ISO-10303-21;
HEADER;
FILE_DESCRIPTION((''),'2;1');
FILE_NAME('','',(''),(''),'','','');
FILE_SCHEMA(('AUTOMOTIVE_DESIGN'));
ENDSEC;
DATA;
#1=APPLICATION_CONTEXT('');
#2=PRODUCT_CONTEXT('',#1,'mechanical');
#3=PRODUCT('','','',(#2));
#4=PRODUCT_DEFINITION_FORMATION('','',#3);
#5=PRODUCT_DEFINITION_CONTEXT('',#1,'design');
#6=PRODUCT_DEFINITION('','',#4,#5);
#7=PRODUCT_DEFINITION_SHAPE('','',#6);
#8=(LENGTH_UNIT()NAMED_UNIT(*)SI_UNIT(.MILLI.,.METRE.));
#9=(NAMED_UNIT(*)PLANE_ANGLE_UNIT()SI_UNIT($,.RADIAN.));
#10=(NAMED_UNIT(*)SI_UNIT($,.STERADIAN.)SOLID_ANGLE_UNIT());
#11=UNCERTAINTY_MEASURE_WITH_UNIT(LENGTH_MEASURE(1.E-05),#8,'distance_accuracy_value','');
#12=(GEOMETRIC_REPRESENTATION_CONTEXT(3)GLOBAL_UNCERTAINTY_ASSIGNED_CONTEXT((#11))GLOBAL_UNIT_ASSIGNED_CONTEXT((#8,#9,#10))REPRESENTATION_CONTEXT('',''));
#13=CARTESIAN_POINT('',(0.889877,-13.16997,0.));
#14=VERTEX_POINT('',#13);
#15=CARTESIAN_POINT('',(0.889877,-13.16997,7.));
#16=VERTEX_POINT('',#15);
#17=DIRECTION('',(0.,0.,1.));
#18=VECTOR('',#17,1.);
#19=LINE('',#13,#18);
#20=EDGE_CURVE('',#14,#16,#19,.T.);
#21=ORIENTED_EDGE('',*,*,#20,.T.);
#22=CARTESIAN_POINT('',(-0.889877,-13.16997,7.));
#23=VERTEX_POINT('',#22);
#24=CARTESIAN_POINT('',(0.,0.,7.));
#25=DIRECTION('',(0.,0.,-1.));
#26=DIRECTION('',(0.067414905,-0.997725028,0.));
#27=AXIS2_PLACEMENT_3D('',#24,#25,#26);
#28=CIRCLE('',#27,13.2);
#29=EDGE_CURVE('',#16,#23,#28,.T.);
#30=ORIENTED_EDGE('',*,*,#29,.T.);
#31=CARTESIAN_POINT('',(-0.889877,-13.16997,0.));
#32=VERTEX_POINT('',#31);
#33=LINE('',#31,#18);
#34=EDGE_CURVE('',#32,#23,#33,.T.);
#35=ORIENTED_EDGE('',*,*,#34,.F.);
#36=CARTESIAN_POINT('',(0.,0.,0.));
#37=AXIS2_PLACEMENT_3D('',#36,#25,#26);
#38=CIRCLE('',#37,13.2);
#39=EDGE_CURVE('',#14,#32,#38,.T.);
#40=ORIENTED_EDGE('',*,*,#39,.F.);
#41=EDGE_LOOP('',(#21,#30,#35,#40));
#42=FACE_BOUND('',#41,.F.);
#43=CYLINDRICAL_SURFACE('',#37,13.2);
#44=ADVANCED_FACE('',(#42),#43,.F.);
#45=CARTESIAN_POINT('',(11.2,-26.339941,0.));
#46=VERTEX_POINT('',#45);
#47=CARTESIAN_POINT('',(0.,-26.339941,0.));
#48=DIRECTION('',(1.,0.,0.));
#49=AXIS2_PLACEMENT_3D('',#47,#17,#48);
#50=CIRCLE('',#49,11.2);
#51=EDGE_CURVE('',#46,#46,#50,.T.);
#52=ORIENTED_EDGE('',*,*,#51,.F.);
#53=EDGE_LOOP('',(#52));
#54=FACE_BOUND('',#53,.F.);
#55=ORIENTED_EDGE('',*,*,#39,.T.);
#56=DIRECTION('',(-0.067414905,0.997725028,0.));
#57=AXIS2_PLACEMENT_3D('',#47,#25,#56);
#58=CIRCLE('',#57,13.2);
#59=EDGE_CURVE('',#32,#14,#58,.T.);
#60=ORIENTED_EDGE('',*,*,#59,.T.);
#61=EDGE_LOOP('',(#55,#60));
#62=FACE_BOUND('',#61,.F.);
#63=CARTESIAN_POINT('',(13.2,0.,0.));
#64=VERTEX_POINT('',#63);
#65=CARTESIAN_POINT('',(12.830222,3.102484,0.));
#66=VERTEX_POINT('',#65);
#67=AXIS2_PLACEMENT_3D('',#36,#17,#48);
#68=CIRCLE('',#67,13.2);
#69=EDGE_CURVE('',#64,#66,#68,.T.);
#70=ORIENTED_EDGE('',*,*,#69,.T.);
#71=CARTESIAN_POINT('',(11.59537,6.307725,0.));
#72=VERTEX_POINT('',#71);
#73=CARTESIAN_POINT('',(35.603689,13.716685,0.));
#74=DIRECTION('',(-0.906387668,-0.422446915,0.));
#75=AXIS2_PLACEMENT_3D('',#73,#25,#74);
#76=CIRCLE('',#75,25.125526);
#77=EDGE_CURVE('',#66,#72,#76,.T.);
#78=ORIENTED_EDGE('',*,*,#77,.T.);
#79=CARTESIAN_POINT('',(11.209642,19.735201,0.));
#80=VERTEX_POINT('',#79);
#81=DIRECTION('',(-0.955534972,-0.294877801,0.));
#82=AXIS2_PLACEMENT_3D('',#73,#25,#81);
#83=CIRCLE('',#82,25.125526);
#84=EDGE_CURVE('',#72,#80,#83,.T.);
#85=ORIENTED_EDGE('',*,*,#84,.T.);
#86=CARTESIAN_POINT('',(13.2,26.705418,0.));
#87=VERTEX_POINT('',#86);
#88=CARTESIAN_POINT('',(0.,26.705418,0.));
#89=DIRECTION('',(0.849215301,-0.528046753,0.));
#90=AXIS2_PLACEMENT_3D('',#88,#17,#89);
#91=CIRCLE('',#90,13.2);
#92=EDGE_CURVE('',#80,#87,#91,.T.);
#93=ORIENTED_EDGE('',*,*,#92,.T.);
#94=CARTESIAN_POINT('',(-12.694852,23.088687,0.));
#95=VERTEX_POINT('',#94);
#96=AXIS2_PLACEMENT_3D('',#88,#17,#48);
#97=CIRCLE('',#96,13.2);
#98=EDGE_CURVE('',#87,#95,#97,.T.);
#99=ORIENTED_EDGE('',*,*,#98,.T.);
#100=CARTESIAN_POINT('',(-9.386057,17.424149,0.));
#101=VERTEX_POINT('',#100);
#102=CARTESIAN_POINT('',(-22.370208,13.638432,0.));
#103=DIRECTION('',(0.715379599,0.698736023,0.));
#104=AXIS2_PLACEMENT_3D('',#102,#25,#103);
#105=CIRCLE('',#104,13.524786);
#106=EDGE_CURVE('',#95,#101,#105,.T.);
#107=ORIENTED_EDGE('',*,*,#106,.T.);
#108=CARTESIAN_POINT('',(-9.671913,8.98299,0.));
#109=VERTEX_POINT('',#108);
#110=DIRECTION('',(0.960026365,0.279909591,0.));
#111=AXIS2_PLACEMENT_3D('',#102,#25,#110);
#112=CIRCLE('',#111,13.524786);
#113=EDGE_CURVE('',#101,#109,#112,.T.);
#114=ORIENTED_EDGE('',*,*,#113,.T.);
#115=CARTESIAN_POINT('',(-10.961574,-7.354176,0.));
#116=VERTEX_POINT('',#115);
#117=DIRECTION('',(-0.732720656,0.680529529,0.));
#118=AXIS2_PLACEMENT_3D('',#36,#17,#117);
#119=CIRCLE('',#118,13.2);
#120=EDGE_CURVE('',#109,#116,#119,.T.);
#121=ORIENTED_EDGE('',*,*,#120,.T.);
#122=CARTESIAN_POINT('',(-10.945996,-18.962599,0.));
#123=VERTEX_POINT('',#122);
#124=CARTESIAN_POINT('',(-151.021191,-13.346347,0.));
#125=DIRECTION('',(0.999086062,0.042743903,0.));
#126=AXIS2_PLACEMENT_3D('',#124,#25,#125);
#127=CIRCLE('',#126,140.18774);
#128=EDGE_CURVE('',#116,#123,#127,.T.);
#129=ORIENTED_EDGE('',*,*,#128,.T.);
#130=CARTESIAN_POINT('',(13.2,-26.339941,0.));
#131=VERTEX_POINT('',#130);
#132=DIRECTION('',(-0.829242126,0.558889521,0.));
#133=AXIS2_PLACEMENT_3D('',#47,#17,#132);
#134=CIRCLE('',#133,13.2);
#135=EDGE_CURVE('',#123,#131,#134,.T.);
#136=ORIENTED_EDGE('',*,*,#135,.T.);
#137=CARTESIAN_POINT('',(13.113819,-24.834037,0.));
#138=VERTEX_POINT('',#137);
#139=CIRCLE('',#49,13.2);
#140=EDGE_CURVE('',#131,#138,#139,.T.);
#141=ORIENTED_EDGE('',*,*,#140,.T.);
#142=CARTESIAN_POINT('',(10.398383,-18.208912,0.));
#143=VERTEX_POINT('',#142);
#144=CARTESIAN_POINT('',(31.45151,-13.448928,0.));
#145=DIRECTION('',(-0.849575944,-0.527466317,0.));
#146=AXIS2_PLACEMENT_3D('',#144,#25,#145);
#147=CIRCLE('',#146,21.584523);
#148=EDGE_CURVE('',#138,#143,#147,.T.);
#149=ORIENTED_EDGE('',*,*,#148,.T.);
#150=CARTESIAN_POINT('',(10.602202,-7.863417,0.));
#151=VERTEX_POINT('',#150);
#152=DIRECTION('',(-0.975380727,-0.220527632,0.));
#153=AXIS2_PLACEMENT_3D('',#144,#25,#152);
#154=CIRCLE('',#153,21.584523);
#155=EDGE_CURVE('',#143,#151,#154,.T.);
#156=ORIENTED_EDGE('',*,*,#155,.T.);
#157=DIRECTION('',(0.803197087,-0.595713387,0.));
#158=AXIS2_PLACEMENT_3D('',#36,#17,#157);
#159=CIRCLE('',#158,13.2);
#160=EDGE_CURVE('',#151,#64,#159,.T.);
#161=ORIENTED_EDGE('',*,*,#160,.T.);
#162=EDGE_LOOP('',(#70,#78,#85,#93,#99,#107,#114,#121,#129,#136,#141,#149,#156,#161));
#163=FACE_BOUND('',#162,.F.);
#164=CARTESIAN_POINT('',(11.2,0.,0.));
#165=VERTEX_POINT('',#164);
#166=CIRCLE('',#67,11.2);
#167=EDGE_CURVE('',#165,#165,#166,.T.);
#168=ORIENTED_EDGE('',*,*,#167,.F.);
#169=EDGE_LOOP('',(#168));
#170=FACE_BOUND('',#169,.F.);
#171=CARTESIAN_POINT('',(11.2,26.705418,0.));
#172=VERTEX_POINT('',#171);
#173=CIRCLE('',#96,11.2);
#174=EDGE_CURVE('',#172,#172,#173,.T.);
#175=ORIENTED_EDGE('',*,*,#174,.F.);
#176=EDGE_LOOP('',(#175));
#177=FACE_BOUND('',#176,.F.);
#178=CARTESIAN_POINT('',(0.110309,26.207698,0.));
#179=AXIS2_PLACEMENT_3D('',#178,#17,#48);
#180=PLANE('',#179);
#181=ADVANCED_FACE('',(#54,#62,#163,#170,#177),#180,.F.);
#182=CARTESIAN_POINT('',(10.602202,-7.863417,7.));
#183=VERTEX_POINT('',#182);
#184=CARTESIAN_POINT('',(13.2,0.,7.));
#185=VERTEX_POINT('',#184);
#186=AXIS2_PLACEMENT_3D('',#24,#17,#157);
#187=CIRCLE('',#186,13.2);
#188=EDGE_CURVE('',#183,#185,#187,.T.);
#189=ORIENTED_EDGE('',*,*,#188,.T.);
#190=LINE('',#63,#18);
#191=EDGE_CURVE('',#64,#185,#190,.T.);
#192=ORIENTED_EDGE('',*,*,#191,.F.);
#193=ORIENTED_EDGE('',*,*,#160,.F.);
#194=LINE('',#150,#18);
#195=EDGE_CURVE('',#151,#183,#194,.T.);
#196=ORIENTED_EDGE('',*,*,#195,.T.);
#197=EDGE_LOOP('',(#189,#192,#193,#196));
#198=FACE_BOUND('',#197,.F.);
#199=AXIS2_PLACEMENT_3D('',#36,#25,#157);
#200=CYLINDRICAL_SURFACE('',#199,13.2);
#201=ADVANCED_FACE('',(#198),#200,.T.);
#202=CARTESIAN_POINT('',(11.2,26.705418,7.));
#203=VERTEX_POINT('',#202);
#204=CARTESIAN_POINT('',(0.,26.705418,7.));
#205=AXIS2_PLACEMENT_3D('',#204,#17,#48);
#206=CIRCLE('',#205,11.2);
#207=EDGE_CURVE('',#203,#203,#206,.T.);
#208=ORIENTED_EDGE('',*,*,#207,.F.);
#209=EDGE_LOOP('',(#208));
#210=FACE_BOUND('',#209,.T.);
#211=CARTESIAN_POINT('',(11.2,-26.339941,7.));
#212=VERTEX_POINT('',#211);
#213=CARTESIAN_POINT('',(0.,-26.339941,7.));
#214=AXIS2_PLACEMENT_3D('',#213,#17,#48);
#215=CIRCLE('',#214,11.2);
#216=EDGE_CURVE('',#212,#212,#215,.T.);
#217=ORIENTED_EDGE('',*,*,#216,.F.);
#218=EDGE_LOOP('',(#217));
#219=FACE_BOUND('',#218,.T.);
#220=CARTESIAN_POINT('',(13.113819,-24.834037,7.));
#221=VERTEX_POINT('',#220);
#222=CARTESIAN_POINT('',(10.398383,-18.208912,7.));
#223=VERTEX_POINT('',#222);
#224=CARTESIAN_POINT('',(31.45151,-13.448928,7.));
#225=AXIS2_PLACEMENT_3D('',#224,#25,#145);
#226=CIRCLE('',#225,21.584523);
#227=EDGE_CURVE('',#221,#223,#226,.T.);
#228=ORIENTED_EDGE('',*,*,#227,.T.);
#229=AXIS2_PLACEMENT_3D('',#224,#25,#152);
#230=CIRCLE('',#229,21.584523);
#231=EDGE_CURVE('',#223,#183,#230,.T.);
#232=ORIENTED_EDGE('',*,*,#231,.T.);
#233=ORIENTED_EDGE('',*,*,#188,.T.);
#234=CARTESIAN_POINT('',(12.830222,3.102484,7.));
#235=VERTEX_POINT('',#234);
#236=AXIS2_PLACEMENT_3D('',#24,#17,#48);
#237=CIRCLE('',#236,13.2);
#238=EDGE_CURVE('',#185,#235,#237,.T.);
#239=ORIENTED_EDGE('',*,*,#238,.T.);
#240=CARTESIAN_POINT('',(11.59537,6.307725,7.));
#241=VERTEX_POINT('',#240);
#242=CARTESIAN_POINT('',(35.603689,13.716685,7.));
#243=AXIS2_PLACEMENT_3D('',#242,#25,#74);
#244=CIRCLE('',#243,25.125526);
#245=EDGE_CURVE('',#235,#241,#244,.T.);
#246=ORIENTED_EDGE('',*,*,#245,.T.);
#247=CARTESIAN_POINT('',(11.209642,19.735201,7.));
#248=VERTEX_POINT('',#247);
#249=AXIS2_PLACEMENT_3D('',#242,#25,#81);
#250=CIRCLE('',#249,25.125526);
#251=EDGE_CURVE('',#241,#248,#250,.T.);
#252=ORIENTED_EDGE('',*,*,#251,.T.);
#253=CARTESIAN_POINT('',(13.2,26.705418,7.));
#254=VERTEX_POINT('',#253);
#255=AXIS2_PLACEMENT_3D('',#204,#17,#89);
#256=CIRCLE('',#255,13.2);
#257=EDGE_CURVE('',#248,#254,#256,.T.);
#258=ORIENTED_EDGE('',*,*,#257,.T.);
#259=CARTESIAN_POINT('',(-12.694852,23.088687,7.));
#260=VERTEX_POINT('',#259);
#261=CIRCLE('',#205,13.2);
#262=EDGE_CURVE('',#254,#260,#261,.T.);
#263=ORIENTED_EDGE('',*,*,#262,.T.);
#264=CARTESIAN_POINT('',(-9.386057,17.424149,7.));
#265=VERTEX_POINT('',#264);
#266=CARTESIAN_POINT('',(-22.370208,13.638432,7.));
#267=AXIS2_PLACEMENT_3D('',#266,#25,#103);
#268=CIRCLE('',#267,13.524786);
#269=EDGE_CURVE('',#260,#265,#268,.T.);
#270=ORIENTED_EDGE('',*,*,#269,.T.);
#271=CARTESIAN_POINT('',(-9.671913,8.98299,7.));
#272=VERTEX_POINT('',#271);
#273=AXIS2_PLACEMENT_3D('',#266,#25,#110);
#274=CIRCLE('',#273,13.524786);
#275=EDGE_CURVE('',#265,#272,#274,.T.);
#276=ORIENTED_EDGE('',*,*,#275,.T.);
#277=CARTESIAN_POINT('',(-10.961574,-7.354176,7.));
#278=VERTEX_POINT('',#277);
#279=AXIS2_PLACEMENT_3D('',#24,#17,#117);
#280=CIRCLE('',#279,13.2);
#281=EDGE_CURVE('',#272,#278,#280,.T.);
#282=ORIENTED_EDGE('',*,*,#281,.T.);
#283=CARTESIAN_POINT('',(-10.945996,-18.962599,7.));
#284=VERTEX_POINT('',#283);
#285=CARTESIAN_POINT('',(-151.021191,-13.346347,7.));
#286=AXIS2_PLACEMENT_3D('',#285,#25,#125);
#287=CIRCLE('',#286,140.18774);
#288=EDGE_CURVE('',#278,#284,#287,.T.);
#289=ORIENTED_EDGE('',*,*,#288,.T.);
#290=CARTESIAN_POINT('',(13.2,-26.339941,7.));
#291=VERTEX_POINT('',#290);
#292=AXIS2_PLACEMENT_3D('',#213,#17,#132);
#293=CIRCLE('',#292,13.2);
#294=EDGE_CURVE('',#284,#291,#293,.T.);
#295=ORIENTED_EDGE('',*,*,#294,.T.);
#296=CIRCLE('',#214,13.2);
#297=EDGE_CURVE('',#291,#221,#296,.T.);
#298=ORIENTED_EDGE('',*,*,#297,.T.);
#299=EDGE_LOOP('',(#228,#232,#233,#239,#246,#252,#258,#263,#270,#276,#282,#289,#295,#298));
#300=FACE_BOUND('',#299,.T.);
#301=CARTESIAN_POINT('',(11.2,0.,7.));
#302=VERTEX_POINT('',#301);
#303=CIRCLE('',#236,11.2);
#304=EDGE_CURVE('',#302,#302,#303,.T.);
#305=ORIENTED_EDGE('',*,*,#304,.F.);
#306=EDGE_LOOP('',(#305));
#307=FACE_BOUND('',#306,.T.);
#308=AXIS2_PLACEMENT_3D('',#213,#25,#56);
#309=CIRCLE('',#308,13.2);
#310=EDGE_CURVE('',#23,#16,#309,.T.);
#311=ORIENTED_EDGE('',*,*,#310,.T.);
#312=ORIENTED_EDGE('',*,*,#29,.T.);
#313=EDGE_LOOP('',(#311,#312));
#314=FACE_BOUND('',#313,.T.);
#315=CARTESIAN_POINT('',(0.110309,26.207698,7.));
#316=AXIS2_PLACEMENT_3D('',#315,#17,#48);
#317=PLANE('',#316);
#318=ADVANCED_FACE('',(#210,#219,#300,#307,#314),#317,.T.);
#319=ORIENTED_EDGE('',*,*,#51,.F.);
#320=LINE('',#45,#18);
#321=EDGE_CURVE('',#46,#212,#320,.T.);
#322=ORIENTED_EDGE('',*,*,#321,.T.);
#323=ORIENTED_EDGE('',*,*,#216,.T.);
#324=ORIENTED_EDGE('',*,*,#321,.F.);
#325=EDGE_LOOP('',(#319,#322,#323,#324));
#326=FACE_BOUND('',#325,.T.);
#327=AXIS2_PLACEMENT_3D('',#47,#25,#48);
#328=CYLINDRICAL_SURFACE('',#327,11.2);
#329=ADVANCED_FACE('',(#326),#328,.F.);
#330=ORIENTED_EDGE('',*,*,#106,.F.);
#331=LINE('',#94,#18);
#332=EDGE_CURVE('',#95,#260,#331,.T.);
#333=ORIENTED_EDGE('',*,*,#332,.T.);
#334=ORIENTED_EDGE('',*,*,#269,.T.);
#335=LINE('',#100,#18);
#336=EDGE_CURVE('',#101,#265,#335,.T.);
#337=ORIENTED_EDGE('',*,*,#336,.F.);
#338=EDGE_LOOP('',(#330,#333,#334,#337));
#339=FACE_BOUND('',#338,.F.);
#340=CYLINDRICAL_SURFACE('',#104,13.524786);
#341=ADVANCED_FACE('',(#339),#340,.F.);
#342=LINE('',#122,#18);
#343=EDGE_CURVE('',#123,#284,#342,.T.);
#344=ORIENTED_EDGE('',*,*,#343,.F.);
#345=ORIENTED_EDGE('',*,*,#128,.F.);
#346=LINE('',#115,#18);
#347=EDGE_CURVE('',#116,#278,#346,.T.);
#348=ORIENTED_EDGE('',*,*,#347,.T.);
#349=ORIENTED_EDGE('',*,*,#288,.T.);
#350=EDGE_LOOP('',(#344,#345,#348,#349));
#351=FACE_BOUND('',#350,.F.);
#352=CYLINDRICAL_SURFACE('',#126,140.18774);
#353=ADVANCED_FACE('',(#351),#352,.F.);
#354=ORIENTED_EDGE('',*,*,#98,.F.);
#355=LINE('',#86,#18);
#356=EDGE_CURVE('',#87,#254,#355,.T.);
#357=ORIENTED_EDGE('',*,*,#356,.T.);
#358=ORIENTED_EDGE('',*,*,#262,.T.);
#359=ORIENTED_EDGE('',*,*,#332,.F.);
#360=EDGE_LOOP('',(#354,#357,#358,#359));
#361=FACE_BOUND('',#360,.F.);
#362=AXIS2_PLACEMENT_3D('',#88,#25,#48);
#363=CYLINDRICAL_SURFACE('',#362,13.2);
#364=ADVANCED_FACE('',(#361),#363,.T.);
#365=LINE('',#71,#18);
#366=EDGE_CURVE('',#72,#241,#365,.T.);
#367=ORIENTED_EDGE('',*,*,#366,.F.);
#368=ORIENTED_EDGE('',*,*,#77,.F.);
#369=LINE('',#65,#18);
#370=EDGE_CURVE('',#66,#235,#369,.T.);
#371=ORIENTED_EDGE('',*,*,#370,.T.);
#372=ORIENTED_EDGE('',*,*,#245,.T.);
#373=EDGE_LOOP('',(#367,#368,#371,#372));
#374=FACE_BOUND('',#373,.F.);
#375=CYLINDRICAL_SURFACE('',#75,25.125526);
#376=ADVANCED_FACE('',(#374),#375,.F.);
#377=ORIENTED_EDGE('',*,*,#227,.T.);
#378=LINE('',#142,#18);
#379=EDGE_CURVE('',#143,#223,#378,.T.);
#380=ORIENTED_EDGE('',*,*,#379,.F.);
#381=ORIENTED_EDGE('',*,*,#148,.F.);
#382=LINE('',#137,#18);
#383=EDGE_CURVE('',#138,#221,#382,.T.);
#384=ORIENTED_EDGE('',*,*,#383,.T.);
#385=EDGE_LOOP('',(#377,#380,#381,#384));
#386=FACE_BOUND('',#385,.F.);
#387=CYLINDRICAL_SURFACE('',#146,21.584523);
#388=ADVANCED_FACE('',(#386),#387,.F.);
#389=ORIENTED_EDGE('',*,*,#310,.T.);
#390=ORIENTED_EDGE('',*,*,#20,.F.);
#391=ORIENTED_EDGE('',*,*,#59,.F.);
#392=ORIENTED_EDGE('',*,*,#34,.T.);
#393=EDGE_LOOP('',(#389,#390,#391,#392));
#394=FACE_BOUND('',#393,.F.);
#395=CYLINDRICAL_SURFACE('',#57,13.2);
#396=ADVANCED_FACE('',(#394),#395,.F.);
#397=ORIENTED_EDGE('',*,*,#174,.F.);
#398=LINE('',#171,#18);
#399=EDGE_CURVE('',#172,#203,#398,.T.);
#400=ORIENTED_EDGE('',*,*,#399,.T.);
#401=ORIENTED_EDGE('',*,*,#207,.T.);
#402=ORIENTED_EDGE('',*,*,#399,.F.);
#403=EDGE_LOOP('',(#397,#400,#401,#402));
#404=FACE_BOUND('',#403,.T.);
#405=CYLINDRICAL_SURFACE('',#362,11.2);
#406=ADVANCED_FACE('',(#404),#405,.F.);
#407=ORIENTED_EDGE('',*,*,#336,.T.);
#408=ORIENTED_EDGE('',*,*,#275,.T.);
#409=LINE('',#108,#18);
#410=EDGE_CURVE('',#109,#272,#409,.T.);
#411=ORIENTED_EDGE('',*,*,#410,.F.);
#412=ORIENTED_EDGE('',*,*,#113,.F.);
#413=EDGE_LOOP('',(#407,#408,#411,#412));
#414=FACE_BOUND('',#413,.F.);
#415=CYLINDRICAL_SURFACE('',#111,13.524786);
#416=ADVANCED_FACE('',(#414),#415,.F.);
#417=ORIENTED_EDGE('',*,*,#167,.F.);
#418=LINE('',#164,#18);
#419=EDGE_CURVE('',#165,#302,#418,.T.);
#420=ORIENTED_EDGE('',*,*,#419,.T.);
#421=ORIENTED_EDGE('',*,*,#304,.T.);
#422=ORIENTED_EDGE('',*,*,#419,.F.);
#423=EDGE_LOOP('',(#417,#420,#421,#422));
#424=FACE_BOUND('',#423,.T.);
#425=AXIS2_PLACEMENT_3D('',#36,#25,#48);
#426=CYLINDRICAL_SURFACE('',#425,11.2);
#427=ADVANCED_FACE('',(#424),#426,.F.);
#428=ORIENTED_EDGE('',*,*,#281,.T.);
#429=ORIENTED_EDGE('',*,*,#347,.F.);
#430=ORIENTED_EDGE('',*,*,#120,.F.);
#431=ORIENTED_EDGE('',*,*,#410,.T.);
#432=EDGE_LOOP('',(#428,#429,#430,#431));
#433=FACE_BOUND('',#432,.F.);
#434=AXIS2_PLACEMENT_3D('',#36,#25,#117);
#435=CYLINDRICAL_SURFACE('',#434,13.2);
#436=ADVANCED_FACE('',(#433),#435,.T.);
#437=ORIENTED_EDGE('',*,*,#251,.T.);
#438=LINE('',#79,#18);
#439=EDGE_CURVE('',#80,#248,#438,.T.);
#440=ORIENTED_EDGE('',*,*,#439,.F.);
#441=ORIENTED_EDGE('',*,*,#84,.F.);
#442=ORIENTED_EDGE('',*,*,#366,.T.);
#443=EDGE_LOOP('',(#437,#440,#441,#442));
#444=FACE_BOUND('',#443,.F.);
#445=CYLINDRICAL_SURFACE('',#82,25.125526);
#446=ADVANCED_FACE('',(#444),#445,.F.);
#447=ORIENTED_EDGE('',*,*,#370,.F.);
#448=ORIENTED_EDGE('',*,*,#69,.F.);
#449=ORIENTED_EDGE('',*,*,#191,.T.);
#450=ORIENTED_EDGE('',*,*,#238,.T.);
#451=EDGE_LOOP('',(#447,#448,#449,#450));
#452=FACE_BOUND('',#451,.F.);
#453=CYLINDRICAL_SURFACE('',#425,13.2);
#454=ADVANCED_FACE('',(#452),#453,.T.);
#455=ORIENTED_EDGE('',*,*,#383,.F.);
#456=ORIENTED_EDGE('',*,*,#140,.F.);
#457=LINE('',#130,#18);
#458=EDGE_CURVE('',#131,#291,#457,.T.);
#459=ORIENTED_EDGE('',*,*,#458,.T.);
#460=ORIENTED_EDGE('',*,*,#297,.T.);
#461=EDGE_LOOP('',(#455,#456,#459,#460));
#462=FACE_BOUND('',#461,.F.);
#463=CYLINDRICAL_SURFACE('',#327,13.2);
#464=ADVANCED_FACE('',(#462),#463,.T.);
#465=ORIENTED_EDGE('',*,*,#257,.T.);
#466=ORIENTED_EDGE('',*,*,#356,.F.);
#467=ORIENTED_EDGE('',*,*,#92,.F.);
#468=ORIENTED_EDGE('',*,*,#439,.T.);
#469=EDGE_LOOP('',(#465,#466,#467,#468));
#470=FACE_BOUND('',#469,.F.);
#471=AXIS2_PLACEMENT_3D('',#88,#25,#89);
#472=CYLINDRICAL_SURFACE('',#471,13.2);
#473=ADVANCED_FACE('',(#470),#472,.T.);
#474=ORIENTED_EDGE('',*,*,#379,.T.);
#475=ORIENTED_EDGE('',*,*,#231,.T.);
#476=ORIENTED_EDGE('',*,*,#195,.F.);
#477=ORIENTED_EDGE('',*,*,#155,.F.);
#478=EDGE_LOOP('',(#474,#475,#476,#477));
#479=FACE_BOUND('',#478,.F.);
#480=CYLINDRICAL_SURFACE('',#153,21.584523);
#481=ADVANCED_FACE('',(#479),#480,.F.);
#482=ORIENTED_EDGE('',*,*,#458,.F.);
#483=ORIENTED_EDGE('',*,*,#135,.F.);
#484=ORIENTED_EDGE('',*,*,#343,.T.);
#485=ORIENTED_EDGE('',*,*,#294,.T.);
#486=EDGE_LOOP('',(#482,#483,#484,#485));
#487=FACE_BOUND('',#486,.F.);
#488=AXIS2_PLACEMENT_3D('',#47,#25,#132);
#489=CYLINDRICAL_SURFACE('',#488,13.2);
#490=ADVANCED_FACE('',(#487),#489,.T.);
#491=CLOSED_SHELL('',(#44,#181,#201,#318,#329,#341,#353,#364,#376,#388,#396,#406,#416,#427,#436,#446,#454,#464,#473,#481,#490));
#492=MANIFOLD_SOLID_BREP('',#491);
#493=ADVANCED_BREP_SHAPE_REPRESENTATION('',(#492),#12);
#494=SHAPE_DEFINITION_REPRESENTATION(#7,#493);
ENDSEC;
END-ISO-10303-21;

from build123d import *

# Parameters (mm, degrees)
F0_R     = 11.2
F1_DEPTH = 7


with BuildPart() as f1:
    # F0 (on Top) → F1 (new body)
    with BuildSketch(Plane.XY):
        with BuildLine():
            ThreePointArc((-9.3860565148, 17.4241493827), (1.4719393522, 13.5877428912), (11.2096419669, 19.7352006425))
            ThreePointArc((11.2096419669, 19.7352006425), (12.6926607526, 23.0810056893), (13.2, 26.7054177821))
            ThreePointArc((13.2, 26.7054177821), (-1.8259184841, 39.7785207683), (-12.6948517711, 23.0886874203))
            ThreePointArc((-12.6948517711, 23.0886874203), (-10.6918061305, 20.4600722356), (-9.3860565148, 17.4241493827))
        make_face()
        with Locations((0, 26.7054177821)):
            Circle(F0_R, mode=Mode.SUBTRACT)
        with BuildLine():
            ThreePointArc((10.3983829911, -18.2089118145), (6.1809331597, -14.6764907536), (0.8898767486, -13.1699703634))
            ThreePointArc((0.8898767486, -13.1699703634), (0, -13.2), (-0.8898767486, -13.1699703634))
            ThreePointArc((-0.8898767486, -13.1699703634), (-6.5886727105, -14.9018730616), (-10.9459960633, -18.9625990523))
            ThreePointArc((-10.9459960633, -18.9625990523), (-3.8569970161, -38.9638693553), (13.2, -26.3399407268))
            ThreePointArc((13.2, -26.3399407268), (13.178437181, -25.5857567522), (13.1138191716, -24.8340367675))
            ThreePointArc((13.1138191716, -24.8340367675), (11.4794744882, -21.6348550748), (10.3983829911, -18.2089118145))
        make_face()
        with Locations((0, -26.3399407268)):
            Circle(F0_R, mode=Mode.SUBTRACT)
        with BuildLine():
            ThreePointArc((-9.6719126636, 8.9829897823), (1.6474776381, 13.0967865307), (11.5953700325, 6.3077249314))
            ThreePointArc((11.5953700325, 6.3077249314), (10.4885235534, 12.9952070194), (11.2096419669, 19.7352006425))
            ThreePointArc((11.2096419669, 19.7352006425), (1.4719393522, 13.5877428912), (-9.3860565148, 17.4241493827))
            ThreePointArc((-9.3860565148, 17.4241493827), (-8.8531701412, 13.1806834241), (-9.6719126636, 8.9829897823))
        make_face()
        with BuildLine():
            ThreePointArc((10.3983829911, -18.2089118145), (9.8711754044, -13.0237699093), (10.6022015505, -7.8634167053))
            ThreePointArc((10.6022015505, -7.8634167053), (6.329047625, -11.5837453425), (0.8898767486, -13.1699703634))
            ThreePointArc((0.8898767486, -13.1699703634), (6.1809331597, -14.6764907536), (10.3983829911, -18.2089118145))
        make_face()
        with BuildLine():
            ThreePointArc((-10.9459960633, -18.9625990523), (-6.5886727105, -14.9018730616), (-0.8898767486, -13.1699703634))
            ThreePointArc((-0.8898767486, -13.1699703634), (-6.6007640138, -11.4310941923), (-10.9615736605, -7.3541758808))
            ThreePointArc((-10.9615736605, -7.3541758808), (-10.8335769452, -13.1582261569), (-10.9459960633, -18.9625990523))
        make_face()
        with BuildLine():
            ThreePointArc((10.6022015505, -7.8634167053), (12.5337356855, -4.1407088483), (13.2, 0))
            ThreePointArc((13.2, 0), (13.1072294752, 1.5622213305), (12.8302218961, 3.1024838591))
            ThreePointArc((12.8302218961, 3.1024838591), (12.1579586928, 4.6839777762), (11.5953700325, 6.3077249314))
            ThreePointArc((11.5953700325, 6.3077249314), (1.6474776381, 13.0967865307), (-9.6719126636, 8.9829897823))
            ThreePointArc((-9.6719126636, 8.9829897823), (-13.1590628445, 1.0387805607), (-10.9615736605, -7.3541758808))
            ThreePointArc((-10.9615736605, -7.3541758808), (-6.6007640138, -11.4310941923), (-0.8898767486, -13.1699703634))
            ThreePointArc((-0.8898767486, -13.1699703634), (0, -13.1399407268), (0.8898767486, -13.1699703634))
            ThreePointArc((0.8898767486, -13.1699703634), (6.329047625, -11.5837453425), (10.6022015505, -7.8634167053))
        make_face()
        Circle(F0_R, mode=Mode.SUBTRACT)
    extrude(amount=F1_DEPTH)


solid = f1.part
